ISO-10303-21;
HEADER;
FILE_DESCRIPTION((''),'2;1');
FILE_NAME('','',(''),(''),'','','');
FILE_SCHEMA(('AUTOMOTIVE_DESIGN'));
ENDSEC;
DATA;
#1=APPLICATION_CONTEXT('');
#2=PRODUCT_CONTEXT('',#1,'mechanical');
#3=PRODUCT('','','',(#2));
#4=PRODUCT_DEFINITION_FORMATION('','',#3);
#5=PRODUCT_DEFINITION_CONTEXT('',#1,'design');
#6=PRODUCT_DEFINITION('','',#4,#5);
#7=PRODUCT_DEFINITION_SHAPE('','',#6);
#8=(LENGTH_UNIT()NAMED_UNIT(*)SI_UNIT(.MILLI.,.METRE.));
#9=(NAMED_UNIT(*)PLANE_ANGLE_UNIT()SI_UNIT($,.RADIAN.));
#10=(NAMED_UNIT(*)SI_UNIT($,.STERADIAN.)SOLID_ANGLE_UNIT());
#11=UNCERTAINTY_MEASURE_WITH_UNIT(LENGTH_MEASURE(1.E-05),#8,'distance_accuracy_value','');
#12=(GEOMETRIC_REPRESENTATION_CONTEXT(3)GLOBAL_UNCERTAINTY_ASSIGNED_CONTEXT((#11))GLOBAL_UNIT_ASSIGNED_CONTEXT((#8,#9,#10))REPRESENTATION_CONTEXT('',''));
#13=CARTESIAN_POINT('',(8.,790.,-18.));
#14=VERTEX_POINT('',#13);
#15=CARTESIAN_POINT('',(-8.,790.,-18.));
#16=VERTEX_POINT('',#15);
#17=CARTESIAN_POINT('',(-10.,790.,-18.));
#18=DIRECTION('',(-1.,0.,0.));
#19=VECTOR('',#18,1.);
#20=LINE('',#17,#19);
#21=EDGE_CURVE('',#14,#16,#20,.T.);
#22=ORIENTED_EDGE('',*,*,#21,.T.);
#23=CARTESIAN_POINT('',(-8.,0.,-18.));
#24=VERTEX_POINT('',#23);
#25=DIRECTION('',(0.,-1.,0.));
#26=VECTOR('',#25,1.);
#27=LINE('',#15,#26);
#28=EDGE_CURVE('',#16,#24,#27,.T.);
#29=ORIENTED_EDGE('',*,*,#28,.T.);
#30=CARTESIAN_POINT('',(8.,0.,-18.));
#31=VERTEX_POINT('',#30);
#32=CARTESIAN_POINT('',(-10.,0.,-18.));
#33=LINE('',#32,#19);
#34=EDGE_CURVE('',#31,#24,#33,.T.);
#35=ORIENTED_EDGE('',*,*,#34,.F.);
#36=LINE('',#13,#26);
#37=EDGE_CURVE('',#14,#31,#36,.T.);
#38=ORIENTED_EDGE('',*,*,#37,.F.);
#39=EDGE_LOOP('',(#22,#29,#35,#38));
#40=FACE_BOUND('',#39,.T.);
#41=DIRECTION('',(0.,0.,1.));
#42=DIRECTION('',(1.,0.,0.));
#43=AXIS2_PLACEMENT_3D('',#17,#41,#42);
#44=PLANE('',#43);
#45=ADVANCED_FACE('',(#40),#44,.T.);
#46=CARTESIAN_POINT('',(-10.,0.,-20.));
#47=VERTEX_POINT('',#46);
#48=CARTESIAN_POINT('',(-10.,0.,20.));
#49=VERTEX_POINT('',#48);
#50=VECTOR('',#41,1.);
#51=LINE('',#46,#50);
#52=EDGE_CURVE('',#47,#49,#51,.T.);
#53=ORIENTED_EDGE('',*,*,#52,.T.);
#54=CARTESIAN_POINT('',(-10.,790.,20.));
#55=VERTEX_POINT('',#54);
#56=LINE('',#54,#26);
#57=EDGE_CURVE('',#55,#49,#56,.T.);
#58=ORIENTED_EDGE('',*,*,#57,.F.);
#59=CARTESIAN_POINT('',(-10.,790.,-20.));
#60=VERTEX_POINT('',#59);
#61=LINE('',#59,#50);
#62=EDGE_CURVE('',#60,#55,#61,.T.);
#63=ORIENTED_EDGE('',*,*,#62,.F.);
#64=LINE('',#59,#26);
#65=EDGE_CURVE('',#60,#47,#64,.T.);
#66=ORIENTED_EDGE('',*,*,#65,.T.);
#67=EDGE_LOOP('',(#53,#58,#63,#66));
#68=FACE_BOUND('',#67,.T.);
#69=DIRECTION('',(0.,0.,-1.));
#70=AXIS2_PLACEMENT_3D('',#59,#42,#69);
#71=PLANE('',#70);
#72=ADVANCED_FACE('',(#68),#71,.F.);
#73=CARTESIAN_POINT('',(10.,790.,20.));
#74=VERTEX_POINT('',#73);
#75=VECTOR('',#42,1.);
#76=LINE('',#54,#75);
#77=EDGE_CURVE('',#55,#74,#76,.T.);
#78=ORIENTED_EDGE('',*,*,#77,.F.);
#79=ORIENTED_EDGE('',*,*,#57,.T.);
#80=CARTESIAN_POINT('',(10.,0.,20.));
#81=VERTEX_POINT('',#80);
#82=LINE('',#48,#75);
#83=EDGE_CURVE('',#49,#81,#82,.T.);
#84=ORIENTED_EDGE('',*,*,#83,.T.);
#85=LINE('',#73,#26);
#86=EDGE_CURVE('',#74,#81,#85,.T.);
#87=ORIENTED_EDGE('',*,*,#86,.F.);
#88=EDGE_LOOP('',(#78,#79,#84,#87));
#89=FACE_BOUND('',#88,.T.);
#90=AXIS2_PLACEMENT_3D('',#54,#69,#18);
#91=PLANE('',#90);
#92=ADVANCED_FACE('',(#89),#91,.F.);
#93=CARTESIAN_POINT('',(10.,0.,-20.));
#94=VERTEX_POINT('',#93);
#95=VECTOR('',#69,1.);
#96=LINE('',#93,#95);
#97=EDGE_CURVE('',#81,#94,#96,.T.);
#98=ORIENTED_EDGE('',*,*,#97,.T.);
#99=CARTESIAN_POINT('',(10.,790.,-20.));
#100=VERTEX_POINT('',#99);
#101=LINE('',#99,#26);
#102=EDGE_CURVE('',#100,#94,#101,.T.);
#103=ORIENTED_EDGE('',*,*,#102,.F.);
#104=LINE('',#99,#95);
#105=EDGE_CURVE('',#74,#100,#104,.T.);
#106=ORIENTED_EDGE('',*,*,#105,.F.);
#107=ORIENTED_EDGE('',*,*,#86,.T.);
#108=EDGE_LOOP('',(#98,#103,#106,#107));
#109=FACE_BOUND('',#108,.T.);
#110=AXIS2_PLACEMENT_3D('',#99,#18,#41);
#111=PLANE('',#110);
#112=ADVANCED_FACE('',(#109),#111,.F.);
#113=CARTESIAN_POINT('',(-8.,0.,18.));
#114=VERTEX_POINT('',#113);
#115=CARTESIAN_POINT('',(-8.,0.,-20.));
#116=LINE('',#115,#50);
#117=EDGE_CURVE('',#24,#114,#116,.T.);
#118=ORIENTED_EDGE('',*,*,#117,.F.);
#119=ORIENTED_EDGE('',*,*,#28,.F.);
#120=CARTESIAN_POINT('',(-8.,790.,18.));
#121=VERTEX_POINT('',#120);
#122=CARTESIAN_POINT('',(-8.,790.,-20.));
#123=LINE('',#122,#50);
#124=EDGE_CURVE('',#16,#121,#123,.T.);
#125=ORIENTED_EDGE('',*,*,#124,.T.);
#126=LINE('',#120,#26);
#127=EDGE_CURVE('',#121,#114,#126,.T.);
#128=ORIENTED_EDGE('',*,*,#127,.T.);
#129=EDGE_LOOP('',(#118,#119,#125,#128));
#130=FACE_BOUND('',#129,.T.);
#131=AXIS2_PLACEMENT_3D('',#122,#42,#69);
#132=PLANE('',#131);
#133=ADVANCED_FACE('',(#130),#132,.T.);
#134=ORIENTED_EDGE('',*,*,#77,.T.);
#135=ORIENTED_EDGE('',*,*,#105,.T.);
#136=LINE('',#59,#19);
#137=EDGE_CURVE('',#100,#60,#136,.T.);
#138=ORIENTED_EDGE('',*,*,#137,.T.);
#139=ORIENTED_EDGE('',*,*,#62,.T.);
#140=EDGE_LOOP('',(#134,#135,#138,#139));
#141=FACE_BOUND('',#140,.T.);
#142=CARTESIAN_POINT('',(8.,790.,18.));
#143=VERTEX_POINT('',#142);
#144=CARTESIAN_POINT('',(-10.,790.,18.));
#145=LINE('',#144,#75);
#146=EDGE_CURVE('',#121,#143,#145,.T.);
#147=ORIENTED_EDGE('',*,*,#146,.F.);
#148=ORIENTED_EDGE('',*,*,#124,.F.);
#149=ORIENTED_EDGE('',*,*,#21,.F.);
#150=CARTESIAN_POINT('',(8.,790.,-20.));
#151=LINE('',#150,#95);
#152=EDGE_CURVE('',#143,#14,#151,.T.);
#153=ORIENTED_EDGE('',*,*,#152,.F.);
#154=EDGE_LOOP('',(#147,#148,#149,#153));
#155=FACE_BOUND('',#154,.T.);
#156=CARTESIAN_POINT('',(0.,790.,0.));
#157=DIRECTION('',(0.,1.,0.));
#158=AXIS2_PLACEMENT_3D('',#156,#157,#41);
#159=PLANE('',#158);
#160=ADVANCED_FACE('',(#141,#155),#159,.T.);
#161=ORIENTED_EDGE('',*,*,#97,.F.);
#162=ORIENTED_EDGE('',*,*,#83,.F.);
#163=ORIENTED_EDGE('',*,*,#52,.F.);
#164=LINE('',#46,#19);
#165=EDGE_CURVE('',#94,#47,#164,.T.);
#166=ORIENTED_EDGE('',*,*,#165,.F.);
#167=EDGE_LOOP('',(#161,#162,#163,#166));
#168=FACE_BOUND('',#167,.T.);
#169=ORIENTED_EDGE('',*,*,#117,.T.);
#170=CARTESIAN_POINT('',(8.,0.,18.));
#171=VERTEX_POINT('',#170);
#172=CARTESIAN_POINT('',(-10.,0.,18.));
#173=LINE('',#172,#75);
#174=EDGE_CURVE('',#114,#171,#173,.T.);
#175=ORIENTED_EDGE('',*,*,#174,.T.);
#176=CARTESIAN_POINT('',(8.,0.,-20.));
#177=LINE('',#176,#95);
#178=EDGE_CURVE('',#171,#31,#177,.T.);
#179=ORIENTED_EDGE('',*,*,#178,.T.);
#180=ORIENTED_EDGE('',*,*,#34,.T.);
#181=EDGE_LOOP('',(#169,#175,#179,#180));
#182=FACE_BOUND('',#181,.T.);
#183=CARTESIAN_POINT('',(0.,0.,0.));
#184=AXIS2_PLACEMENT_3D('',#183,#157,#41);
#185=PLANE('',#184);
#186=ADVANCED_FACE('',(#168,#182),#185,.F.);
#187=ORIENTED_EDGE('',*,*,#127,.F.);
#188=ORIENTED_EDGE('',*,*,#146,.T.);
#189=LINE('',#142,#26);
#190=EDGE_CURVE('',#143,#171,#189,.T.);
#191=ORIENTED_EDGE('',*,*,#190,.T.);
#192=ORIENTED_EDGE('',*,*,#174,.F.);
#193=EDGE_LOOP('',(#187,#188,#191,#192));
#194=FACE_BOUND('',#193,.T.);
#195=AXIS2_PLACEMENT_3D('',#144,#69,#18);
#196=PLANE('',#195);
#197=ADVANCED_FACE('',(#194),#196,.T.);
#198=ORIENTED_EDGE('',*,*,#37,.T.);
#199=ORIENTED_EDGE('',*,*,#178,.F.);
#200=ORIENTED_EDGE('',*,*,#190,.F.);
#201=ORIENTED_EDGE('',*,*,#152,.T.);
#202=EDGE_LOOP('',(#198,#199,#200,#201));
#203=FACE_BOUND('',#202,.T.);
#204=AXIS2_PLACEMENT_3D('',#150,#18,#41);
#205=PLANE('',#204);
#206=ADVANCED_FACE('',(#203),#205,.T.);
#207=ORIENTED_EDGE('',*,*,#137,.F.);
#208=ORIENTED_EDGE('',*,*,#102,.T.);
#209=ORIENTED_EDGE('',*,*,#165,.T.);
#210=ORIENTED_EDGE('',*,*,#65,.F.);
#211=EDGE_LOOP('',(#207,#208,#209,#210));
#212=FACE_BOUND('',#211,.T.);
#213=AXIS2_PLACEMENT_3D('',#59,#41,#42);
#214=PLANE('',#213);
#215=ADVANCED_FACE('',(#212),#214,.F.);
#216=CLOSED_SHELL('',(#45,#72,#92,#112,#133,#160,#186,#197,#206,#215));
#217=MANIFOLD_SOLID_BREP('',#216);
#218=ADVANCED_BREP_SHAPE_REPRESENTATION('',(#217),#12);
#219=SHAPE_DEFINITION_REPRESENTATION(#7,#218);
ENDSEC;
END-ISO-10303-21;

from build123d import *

# Parameters (mm, degrees)
SKETCH_1_W      = 20
SKETCH_1_H      = 40
SKETCH_1_W_2    = 16
SKETCH_1_H_2    = 36
EXTRUDE_1_DEPTH = 790


with BuildPart() as part:
    # Эскиз1 → Вытянуть-Тонкостенный1 (new body)
    with BuildSketch(Plane(origin=(0, 0, 0), x_dir=(1, 0, 0), z_dir=(0, 1, 0))):
        Rectangle(SKETCH_1_W, SKETCH_1_H)
        Rectangle(SKETCH_1_W_2, SKETCH_1_H_2, mode=Mode.SUBTRACT)
    extrude(amount=EXTRUDE_1_DEPTH)


solid = part.part
